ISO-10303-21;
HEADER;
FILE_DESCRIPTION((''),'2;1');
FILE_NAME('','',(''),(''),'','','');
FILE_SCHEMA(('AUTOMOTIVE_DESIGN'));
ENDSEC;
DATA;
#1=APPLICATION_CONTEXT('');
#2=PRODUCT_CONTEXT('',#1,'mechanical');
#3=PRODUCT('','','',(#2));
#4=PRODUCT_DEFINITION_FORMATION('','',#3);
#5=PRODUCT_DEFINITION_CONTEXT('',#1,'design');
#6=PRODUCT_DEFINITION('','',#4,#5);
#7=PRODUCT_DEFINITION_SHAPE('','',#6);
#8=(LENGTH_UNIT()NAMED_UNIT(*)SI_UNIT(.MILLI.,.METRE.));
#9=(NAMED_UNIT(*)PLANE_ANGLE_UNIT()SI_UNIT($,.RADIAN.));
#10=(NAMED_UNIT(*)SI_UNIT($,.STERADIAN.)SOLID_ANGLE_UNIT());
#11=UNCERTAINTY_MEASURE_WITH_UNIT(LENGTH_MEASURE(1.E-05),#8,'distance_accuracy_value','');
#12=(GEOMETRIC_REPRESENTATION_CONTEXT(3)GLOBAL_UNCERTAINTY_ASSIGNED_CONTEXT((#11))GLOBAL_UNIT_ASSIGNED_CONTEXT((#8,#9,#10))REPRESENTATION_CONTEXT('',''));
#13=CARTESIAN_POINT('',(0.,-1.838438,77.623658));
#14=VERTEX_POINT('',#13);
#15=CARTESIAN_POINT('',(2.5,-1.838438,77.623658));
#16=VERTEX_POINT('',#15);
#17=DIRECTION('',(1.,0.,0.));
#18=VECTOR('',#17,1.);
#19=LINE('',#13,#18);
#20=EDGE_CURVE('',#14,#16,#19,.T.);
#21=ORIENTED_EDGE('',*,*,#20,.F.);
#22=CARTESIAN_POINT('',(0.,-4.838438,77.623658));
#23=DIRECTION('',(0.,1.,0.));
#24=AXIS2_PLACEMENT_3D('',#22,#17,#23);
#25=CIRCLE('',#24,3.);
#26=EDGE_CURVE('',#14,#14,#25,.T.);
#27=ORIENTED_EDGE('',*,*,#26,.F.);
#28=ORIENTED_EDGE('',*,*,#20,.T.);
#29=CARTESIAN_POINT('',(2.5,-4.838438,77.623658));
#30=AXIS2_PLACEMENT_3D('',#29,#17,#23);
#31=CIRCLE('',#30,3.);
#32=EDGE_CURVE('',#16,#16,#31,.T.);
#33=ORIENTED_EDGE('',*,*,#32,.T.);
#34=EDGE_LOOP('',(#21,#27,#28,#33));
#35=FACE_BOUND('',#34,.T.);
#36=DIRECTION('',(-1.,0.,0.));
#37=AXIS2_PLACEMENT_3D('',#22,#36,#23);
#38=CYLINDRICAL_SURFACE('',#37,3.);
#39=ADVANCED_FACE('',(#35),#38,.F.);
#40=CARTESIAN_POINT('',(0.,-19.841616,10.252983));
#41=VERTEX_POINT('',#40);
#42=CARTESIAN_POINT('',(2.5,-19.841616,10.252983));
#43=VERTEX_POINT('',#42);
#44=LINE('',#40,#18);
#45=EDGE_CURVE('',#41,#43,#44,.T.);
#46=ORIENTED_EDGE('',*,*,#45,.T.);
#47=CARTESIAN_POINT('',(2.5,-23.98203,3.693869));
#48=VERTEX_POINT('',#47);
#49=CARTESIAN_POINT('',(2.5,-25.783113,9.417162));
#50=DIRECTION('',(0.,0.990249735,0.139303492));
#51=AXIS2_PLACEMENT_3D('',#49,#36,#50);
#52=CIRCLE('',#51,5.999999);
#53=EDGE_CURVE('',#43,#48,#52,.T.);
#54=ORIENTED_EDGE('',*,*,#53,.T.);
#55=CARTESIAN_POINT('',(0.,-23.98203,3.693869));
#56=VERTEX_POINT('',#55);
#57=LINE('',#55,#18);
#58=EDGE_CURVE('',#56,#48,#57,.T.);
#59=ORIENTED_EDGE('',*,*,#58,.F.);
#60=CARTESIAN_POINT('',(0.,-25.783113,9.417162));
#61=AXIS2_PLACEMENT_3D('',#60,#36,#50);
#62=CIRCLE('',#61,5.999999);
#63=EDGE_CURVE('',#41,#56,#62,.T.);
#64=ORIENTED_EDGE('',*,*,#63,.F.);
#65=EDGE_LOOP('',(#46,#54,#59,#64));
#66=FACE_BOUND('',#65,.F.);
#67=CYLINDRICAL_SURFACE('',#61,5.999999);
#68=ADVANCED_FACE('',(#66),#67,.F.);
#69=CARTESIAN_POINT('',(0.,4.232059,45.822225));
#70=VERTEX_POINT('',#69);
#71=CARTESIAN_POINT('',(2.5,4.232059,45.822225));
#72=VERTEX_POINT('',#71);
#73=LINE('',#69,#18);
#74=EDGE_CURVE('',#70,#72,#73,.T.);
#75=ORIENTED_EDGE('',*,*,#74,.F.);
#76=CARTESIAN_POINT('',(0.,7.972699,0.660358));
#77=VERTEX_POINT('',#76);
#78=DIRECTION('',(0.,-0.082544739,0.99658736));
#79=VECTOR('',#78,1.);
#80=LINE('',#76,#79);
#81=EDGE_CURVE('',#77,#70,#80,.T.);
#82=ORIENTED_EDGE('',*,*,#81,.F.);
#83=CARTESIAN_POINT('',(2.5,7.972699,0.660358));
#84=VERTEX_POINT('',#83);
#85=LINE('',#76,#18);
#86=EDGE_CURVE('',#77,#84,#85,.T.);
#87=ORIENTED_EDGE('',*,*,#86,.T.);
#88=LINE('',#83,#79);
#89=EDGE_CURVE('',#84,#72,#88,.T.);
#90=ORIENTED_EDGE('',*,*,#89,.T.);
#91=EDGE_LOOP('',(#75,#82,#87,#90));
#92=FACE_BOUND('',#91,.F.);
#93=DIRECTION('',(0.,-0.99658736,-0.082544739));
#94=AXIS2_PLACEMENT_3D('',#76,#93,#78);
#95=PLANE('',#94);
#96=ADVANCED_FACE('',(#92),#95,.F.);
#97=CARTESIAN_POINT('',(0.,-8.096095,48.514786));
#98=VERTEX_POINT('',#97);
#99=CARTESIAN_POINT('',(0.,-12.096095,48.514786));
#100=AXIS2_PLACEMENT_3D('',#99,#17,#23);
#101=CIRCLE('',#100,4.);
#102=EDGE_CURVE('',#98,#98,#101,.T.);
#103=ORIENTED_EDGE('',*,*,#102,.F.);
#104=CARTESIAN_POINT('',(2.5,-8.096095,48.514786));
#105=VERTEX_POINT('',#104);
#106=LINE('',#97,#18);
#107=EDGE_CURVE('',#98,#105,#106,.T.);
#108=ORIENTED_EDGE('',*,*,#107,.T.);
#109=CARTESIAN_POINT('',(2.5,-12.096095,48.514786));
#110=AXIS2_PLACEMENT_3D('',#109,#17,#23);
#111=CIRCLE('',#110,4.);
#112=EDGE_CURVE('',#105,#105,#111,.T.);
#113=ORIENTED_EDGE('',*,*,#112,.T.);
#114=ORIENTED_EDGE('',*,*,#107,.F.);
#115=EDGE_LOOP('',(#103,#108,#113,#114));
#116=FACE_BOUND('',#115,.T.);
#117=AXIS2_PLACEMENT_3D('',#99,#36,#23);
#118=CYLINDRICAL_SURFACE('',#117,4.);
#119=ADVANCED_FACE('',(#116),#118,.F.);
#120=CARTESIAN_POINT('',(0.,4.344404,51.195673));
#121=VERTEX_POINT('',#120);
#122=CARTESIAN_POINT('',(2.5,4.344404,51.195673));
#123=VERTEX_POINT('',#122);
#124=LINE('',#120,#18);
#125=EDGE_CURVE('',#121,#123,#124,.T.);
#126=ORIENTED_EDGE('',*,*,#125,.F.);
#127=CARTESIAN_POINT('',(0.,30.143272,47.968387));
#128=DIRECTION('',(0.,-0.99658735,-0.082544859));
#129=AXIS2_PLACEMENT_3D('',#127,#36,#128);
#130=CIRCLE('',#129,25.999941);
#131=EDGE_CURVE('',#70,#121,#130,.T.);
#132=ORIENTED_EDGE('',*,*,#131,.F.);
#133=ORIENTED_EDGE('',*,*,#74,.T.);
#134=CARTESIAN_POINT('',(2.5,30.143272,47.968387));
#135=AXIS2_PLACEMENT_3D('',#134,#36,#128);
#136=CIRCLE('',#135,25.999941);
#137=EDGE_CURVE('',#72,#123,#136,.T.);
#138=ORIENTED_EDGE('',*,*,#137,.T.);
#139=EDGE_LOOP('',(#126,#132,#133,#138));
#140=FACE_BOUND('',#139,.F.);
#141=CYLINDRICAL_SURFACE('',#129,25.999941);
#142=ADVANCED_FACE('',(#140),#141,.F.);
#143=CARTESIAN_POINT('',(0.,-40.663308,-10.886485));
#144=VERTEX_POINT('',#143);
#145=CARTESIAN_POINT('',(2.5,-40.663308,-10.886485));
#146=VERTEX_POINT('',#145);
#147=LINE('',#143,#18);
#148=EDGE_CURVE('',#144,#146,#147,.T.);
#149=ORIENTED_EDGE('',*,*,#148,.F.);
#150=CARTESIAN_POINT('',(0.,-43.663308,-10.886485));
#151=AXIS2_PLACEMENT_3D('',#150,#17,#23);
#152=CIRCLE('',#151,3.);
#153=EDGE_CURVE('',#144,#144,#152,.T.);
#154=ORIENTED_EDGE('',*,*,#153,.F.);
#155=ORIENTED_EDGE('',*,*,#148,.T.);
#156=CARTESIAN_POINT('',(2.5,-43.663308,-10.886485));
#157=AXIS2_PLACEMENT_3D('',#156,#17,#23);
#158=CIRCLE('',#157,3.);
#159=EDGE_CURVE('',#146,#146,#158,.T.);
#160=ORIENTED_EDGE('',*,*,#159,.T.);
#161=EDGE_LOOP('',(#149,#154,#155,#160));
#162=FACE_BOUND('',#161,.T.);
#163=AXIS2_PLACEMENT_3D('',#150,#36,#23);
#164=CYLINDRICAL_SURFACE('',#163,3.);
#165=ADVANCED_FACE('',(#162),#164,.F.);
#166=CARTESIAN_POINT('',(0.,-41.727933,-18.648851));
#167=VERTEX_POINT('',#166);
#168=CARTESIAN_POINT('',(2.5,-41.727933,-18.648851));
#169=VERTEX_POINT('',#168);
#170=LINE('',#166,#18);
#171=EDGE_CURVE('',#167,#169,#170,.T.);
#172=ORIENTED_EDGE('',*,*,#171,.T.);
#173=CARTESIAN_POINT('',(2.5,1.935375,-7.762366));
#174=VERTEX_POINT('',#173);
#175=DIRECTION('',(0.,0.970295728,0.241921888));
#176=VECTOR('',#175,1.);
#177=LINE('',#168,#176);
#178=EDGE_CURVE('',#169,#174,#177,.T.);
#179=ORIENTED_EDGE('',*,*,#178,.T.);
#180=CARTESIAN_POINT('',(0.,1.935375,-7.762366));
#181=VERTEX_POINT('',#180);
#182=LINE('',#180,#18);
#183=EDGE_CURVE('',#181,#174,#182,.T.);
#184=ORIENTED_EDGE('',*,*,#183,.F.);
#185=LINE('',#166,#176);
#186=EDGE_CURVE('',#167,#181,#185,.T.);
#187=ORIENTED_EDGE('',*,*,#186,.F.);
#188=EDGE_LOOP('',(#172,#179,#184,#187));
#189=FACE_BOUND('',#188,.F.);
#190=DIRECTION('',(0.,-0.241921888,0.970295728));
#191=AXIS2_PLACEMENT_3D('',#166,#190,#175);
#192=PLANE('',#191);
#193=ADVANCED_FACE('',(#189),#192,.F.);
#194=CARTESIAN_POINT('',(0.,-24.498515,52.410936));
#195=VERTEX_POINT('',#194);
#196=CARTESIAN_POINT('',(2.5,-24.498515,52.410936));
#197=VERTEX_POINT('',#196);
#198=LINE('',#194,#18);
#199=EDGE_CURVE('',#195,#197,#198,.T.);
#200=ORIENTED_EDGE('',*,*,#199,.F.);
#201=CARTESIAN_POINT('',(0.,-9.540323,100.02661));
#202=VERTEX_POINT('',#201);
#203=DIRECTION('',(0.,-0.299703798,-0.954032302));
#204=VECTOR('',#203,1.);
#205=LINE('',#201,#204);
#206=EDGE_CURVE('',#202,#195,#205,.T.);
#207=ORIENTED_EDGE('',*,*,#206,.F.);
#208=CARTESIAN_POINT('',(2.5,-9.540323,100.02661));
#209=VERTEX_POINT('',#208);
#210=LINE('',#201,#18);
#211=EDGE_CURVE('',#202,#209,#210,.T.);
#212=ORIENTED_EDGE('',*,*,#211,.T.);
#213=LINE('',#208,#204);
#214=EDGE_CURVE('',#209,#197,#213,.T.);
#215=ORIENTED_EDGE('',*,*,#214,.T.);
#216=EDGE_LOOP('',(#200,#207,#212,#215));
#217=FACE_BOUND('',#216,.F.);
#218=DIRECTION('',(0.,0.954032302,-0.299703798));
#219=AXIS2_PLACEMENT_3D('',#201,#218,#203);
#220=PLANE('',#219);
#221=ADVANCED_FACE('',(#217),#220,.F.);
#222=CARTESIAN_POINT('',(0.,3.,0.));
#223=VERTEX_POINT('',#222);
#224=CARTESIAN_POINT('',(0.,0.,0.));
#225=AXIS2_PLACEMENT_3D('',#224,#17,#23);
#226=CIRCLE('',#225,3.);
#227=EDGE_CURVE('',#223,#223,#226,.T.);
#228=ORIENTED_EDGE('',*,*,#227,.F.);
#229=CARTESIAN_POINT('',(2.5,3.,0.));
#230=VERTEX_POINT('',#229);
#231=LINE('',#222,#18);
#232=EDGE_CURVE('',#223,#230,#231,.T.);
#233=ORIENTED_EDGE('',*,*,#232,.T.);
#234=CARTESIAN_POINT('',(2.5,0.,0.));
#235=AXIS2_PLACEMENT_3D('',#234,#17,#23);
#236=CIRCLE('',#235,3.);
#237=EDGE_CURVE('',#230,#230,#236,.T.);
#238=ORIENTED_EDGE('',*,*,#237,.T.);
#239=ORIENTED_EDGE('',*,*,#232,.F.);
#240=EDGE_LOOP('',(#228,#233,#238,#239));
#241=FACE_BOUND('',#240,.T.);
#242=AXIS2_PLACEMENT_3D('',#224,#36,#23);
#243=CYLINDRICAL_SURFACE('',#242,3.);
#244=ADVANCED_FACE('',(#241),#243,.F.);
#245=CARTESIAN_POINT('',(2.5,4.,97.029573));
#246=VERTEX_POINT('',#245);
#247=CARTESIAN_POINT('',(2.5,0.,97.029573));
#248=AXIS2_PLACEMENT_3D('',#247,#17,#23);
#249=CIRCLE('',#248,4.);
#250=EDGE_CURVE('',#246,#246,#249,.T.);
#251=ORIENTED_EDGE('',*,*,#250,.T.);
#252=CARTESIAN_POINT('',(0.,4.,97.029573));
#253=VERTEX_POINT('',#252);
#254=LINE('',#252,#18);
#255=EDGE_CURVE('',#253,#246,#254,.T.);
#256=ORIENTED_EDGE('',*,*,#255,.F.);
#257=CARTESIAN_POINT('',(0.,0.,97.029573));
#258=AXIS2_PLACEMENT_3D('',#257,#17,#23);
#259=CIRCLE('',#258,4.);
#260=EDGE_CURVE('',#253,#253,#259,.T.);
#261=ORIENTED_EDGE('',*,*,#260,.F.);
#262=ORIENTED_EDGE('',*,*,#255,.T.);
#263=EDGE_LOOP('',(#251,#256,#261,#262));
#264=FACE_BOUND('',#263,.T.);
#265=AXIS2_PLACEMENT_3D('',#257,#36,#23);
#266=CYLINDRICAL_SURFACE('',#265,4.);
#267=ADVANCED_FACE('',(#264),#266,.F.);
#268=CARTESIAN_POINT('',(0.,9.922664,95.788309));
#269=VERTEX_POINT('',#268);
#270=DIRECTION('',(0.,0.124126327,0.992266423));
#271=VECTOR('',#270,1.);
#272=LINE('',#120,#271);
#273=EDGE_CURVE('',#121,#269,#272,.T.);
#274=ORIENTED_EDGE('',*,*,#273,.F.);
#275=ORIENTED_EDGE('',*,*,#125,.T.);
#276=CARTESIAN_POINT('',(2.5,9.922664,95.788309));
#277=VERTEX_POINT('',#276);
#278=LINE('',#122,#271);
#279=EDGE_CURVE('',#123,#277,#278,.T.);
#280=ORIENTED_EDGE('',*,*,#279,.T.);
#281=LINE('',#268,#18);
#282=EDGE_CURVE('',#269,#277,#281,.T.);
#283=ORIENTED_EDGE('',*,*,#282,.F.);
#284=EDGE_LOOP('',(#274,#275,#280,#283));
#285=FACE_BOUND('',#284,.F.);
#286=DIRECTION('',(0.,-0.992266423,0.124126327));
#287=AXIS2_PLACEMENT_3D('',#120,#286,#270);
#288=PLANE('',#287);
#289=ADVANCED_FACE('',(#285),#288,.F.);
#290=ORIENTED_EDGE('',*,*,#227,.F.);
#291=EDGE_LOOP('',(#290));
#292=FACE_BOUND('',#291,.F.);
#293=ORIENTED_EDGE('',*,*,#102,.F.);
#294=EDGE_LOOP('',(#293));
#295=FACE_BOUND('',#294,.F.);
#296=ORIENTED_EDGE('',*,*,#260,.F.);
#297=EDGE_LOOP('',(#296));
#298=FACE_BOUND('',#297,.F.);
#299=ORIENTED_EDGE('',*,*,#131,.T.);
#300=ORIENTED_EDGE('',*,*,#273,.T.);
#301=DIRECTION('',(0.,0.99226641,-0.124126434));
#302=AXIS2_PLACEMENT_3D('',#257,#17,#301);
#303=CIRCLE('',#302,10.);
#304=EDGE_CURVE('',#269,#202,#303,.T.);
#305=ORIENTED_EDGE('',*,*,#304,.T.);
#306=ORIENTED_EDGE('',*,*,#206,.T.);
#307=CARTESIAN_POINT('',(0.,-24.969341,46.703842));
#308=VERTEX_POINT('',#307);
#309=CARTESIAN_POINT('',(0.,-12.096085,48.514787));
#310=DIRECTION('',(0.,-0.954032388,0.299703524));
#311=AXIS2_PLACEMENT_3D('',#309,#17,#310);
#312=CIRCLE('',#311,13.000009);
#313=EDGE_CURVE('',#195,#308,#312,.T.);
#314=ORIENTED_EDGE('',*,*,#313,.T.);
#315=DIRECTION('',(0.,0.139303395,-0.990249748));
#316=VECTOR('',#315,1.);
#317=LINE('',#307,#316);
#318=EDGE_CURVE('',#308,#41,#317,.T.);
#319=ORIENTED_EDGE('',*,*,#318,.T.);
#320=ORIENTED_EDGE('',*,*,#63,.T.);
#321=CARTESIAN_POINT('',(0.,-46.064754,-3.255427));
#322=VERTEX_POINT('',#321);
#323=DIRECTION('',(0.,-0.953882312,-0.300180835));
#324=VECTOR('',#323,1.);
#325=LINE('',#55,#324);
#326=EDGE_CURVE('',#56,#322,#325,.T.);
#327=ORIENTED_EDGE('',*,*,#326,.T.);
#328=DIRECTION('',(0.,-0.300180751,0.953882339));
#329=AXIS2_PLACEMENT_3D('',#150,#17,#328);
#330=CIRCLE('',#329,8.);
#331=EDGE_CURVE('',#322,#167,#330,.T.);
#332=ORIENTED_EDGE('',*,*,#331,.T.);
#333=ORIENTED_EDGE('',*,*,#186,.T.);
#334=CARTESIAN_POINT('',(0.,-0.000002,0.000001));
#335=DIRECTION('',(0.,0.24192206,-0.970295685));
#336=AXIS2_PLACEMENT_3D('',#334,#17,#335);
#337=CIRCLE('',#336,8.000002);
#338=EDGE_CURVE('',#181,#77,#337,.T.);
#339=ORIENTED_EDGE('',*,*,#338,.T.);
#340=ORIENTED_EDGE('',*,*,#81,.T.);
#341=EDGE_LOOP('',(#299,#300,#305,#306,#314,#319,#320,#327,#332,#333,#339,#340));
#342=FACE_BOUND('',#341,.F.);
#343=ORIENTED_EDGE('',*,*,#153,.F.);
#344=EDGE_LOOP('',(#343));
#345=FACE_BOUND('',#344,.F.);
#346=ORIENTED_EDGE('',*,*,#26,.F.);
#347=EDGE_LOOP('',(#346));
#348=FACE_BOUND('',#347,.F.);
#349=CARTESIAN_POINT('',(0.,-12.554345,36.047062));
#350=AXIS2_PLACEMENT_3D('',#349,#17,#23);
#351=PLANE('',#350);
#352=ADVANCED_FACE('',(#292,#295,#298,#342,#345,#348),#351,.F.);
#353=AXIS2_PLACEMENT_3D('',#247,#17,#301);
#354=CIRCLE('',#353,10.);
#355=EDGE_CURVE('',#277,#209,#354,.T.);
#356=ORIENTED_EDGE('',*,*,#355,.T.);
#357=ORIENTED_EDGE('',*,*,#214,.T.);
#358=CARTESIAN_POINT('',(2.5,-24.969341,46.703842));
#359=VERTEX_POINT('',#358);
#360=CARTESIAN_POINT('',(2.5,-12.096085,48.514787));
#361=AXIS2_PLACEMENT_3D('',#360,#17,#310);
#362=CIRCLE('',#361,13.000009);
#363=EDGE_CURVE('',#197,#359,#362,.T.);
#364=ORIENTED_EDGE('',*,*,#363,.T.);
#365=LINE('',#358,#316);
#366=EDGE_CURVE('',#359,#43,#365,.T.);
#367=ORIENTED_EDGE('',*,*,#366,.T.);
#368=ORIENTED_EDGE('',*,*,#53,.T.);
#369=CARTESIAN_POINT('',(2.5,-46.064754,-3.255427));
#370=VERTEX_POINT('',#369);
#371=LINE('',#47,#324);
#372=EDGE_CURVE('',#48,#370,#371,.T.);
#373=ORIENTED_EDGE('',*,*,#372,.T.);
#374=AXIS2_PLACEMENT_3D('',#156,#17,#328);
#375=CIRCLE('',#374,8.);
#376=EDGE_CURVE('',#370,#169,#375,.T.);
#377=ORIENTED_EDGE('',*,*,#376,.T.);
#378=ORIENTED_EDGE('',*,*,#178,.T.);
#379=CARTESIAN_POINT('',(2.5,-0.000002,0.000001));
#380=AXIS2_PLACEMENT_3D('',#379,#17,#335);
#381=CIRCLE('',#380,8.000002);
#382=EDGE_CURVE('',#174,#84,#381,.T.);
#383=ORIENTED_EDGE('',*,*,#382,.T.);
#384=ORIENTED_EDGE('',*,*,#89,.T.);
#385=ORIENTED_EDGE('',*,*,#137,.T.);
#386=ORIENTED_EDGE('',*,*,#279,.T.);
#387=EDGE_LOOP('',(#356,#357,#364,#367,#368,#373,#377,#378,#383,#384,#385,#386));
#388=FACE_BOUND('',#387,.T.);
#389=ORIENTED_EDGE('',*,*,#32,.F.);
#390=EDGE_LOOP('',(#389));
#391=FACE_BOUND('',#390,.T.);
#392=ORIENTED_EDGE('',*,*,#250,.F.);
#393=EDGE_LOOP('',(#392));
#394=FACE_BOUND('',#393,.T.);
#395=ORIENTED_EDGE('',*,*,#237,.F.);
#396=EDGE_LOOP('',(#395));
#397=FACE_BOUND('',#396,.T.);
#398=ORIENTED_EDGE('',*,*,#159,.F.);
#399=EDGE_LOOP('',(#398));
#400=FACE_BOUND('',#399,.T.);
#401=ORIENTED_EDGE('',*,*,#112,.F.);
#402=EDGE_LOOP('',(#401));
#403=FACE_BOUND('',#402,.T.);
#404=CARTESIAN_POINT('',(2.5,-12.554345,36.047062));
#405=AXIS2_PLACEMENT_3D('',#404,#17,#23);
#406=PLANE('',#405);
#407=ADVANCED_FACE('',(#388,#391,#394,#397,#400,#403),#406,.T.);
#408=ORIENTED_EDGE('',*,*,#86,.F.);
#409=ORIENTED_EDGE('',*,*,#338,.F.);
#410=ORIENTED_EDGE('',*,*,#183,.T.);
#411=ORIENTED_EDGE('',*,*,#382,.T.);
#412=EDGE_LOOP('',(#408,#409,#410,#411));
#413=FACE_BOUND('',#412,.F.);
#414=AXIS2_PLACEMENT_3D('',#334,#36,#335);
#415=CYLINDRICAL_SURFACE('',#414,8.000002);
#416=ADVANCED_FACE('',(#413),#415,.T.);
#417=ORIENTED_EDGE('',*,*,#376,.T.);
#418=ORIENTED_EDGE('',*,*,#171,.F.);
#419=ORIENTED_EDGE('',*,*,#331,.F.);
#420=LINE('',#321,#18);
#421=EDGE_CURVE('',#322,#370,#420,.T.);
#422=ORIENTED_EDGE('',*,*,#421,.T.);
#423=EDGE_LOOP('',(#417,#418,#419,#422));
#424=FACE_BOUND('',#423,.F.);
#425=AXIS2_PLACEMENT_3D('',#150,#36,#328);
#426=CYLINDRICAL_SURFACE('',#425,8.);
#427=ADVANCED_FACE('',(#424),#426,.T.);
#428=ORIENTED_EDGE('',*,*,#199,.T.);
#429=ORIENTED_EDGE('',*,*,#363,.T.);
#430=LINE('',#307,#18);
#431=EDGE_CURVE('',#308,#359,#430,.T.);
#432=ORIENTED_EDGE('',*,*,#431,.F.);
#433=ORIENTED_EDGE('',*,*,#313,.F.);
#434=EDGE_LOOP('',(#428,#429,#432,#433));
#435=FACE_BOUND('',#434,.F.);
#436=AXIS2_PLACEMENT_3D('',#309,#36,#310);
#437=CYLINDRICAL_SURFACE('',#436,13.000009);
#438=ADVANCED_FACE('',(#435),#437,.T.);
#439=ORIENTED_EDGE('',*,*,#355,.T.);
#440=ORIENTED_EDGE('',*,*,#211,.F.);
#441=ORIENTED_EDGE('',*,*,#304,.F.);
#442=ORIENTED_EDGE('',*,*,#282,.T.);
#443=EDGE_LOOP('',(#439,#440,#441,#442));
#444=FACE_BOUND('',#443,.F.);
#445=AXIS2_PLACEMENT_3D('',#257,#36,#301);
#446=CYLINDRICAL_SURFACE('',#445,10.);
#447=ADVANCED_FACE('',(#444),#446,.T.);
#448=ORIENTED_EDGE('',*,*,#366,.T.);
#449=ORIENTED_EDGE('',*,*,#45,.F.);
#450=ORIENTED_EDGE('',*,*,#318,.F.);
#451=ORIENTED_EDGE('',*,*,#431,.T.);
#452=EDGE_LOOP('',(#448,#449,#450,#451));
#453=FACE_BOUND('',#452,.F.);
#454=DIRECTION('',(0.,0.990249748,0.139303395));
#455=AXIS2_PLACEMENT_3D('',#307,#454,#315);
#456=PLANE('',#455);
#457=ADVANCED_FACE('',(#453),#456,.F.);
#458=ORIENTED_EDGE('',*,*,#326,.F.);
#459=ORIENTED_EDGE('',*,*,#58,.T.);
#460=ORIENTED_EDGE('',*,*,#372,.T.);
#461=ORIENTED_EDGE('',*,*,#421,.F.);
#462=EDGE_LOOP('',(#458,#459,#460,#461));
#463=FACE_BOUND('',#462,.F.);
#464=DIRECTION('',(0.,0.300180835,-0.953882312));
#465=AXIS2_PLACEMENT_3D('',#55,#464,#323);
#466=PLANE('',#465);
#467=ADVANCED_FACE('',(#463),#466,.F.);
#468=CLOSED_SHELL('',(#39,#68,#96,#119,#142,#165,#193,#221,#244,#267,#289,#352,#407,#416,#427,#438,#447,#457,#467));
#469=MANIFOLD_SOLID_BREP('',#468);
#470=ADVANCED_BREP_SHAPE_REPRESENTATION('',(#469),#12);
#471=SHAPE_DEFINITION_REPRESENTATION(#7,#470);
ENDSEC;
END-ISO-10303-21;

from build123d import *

# Parameters (mm, degrees)
F0_R     = 3
F0_R_2   = 4
F1_DEPTH = 2.5


with BuildPart() as f1:
    # F0 (on Right) → F1 (new body)
    with BuildSketch(Plane.YZ):
        with BuildLine():
            Line((-23.98203, 3.693869), (-46.064754, -3.255427))
            ThreePointArc((-46.064754, -3.255427), (-51.363547, -13.05589), (-41.727933, -18.648851))
            Line((-41.727933, -18.648851), (1.935375, -7.762366))
            ThreePointArc((1.935375, -7.762366), (6.502157, -4.660681), (7.972699, 0.660358))
            Line((7.972699, 0.660358), (4.232059, 45.822225))
            ThreePointArc((4.232059, 45.822225), (4.149011, 48.51186), (4.344404, 51.195673))
            Line((4.344404, 51.195673), (9.922664, 95.788309))
            ThreePointArc((9.922664, 95.788309), (2.127756, 106.800584), (-9.540323, 100.02661))
            Line((-9.540323, 100.02661), (-24.498515, 52.410936))
            ThreePointArc((-24.498515, 52.410936), (-25.05208, 49.583636), (-24.969341, 46.703842))
            Line((-24.969341, 46.703842), (-19.841616, 10.252983))
            ThreePointArc((-19.841616, 10.252983), (-20.709418, 6.214413), (-23.98203, 3.693869))
        make_face()
        with Locations((-43.663308, -10.886485)):
            Circle(F0_R, mode=Mode.SUBTRACT)
        Circle(F0_R, mode=Mode.SUBTRACT)
        with Locations((-12.096095, 48.514786)):
            Circle(F0_R_2, mode=Mode.SUBTRACT)
        with Locations((-4.838438, 77.623658)):
            Circle(F0_R, mode=Mode.SUBTRACT)
        with Locations((0, 97.029573)):
            Circle(F0_R_2, mode=Mode.SUBTRACT)
    extrude(amount=F1_DEPTH)


solid = f1.part
